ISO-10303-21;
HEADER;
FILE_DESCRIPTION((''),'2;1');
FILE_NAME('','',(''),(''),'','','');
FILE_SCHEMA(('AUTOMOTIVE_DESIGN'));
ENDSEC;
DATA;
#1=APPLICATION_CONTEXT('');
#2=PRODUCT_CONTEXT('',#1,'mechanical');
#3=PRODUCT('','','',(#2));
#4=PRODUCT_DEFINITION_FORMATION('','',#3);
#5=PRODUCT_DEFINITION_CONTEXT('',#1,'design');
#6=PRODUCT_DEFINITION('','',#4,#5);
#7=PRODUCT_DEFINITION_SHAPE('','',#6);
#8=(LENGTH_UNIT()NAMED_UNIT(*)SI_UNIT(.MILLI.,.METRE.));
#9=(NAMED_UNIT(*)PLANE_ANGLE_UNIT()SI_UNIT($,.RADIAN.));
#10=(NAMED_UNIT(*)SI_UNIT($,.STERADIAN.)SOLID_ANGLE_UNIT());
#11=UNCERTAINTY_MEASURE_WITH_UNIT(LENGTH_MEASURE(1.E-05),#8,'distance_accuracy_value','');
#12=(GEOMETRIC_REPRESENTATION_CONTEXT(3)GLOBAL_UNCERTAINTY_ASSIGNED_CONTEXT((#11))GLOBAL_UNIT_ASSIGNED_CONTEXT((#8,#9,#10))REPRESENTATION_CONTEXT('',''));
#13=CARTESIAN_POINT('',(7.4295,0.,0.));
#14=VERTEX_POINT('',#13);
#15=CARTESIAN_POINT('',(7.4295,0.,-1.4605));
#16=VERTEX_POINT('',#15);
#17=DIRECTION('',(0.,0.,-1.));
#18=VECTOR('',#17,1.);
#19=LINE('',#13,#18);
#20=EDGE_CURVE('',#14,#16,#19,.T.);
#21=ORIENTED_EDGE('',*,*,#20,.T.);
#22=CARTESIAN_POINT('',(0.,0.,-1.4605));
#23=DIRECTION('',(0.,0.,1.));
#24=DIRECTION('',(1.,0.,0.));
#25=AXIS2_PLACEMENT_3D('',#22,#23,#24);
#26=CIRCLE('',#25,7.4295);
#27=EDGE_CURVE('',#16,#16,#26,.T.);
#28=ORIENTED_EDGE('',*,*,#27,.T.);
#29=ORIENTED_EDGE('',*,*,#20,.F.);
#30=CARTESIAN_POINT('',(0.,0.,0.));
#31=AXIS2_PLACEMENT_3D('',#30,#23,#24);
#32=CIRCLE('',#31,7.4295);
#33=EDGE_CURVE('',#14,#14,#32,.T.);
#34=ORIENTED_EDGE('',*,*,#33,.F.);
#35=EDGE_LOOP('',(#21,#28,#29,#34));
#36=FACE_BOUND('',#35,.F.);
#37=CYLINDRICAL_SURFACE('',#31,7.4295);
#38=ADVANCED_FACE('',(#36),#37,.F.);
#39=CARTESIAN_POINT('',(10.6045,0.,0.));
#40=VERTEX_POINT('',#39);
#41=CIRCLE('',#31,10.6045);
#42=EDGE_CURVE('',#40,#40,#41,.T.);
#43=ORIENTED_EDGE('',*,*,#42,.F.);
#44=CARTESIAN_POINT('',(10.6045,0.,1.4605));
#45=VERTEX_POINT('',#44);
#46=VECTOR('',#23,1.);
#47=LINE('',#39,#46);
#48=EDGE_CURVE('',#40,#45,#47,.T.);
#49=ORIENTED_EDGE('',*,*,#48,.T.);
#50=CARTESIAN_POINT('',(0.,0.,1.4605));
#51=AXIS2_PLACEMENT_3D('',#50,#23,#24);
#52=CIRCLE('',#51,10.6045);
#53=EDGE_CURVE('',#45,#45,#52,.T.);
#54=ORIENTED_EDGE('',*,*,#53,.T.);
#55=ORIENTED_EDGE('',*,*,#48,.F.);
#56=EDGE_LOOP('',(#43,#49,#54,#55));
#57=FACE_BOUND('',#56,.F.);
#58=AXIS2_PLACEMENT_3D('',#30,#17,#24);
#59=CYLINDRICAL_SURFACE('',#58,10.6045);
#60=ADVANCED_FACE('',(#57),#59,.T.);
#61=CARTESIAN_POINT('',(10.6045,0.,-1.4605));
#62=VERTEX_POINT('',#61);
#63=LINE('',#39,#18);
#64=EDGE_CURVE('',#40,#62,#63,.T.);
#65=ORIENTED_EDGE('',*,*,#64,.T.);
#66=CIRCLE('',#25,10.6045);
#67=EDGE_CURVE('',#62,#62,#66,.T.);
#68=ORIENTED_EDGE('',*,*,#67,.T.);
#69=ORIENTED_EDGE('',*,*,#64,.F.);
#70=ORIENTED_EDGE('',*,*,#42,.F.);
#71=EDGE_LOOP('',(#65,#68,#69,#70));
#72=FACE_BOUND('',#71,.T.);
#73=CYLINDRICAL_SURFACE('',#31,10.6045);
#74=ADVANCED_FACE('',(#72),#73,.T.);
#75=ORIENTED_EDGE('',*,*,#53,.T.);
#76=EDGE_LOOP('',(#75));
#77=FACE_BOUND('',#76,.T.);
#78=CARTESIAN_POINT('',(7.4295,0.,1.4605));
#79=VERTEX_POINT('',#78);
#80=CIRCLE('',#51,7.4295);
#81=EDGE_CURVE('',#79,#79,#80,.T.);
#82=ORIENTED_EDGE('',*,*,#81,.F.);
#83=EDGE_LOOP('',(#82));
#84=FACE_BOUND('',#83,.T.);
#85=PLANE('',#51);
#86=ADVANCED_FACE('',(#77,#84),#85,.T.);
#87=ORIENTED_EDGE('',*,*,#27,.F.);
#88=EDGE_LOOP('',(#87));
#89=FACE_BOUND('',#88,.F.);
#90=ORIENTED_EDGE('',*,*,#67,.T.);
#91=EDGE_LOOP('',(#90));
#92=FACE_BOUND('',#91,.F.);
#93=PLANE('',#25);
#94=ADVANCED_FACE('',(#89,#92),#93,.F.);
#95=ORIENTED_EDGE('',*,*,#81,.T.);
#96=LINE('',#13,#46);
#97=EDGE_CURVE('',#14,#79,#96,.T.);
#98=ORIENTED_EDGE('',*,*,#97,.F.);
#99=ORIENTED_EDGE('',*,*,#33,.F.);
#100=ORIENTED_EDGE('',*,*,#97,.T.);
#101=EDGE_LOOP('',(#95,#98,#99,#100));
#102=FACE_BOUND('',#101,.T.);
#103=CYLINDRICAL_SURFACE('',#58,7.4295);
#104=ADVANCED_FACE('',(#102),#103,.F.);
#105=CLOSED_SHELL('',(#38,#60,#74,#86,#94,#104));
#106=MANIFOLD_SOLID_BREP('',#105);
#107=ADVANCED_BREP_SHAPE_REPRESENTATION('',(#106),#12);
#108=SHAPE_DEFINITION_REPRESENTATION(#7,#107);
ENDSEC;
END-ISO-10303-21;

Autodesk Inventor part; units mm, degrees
ref_plane "YZ Plane" through (0, 0, 0) normal (1, 0, 0) x (0, 1, 0)
ref_plane "XZ Plane" through (0, 0, 0) normal (0, 1, 0) x (-1, 0, 0)
ref_plane "XY Plane" through (0, 0, 0) normal (0, 0, 1) x (1, 0, 0)
sketch "Sketch1" plane through (0, 0, 0) normal (0, 0, 1) x (1, 0, 0)
  circle A0 centre (0, 0) radius 7.4295
  circle A1 centre (0, 0) radius 10.6045
  dimension "d0" = 14.859
  dimension "d1" = 3.175
extrude "Extrusion1" add sketch "Sketch1" along normal mid plane 2.921
properties part number "GP5-020" material "ABS Plastic"
